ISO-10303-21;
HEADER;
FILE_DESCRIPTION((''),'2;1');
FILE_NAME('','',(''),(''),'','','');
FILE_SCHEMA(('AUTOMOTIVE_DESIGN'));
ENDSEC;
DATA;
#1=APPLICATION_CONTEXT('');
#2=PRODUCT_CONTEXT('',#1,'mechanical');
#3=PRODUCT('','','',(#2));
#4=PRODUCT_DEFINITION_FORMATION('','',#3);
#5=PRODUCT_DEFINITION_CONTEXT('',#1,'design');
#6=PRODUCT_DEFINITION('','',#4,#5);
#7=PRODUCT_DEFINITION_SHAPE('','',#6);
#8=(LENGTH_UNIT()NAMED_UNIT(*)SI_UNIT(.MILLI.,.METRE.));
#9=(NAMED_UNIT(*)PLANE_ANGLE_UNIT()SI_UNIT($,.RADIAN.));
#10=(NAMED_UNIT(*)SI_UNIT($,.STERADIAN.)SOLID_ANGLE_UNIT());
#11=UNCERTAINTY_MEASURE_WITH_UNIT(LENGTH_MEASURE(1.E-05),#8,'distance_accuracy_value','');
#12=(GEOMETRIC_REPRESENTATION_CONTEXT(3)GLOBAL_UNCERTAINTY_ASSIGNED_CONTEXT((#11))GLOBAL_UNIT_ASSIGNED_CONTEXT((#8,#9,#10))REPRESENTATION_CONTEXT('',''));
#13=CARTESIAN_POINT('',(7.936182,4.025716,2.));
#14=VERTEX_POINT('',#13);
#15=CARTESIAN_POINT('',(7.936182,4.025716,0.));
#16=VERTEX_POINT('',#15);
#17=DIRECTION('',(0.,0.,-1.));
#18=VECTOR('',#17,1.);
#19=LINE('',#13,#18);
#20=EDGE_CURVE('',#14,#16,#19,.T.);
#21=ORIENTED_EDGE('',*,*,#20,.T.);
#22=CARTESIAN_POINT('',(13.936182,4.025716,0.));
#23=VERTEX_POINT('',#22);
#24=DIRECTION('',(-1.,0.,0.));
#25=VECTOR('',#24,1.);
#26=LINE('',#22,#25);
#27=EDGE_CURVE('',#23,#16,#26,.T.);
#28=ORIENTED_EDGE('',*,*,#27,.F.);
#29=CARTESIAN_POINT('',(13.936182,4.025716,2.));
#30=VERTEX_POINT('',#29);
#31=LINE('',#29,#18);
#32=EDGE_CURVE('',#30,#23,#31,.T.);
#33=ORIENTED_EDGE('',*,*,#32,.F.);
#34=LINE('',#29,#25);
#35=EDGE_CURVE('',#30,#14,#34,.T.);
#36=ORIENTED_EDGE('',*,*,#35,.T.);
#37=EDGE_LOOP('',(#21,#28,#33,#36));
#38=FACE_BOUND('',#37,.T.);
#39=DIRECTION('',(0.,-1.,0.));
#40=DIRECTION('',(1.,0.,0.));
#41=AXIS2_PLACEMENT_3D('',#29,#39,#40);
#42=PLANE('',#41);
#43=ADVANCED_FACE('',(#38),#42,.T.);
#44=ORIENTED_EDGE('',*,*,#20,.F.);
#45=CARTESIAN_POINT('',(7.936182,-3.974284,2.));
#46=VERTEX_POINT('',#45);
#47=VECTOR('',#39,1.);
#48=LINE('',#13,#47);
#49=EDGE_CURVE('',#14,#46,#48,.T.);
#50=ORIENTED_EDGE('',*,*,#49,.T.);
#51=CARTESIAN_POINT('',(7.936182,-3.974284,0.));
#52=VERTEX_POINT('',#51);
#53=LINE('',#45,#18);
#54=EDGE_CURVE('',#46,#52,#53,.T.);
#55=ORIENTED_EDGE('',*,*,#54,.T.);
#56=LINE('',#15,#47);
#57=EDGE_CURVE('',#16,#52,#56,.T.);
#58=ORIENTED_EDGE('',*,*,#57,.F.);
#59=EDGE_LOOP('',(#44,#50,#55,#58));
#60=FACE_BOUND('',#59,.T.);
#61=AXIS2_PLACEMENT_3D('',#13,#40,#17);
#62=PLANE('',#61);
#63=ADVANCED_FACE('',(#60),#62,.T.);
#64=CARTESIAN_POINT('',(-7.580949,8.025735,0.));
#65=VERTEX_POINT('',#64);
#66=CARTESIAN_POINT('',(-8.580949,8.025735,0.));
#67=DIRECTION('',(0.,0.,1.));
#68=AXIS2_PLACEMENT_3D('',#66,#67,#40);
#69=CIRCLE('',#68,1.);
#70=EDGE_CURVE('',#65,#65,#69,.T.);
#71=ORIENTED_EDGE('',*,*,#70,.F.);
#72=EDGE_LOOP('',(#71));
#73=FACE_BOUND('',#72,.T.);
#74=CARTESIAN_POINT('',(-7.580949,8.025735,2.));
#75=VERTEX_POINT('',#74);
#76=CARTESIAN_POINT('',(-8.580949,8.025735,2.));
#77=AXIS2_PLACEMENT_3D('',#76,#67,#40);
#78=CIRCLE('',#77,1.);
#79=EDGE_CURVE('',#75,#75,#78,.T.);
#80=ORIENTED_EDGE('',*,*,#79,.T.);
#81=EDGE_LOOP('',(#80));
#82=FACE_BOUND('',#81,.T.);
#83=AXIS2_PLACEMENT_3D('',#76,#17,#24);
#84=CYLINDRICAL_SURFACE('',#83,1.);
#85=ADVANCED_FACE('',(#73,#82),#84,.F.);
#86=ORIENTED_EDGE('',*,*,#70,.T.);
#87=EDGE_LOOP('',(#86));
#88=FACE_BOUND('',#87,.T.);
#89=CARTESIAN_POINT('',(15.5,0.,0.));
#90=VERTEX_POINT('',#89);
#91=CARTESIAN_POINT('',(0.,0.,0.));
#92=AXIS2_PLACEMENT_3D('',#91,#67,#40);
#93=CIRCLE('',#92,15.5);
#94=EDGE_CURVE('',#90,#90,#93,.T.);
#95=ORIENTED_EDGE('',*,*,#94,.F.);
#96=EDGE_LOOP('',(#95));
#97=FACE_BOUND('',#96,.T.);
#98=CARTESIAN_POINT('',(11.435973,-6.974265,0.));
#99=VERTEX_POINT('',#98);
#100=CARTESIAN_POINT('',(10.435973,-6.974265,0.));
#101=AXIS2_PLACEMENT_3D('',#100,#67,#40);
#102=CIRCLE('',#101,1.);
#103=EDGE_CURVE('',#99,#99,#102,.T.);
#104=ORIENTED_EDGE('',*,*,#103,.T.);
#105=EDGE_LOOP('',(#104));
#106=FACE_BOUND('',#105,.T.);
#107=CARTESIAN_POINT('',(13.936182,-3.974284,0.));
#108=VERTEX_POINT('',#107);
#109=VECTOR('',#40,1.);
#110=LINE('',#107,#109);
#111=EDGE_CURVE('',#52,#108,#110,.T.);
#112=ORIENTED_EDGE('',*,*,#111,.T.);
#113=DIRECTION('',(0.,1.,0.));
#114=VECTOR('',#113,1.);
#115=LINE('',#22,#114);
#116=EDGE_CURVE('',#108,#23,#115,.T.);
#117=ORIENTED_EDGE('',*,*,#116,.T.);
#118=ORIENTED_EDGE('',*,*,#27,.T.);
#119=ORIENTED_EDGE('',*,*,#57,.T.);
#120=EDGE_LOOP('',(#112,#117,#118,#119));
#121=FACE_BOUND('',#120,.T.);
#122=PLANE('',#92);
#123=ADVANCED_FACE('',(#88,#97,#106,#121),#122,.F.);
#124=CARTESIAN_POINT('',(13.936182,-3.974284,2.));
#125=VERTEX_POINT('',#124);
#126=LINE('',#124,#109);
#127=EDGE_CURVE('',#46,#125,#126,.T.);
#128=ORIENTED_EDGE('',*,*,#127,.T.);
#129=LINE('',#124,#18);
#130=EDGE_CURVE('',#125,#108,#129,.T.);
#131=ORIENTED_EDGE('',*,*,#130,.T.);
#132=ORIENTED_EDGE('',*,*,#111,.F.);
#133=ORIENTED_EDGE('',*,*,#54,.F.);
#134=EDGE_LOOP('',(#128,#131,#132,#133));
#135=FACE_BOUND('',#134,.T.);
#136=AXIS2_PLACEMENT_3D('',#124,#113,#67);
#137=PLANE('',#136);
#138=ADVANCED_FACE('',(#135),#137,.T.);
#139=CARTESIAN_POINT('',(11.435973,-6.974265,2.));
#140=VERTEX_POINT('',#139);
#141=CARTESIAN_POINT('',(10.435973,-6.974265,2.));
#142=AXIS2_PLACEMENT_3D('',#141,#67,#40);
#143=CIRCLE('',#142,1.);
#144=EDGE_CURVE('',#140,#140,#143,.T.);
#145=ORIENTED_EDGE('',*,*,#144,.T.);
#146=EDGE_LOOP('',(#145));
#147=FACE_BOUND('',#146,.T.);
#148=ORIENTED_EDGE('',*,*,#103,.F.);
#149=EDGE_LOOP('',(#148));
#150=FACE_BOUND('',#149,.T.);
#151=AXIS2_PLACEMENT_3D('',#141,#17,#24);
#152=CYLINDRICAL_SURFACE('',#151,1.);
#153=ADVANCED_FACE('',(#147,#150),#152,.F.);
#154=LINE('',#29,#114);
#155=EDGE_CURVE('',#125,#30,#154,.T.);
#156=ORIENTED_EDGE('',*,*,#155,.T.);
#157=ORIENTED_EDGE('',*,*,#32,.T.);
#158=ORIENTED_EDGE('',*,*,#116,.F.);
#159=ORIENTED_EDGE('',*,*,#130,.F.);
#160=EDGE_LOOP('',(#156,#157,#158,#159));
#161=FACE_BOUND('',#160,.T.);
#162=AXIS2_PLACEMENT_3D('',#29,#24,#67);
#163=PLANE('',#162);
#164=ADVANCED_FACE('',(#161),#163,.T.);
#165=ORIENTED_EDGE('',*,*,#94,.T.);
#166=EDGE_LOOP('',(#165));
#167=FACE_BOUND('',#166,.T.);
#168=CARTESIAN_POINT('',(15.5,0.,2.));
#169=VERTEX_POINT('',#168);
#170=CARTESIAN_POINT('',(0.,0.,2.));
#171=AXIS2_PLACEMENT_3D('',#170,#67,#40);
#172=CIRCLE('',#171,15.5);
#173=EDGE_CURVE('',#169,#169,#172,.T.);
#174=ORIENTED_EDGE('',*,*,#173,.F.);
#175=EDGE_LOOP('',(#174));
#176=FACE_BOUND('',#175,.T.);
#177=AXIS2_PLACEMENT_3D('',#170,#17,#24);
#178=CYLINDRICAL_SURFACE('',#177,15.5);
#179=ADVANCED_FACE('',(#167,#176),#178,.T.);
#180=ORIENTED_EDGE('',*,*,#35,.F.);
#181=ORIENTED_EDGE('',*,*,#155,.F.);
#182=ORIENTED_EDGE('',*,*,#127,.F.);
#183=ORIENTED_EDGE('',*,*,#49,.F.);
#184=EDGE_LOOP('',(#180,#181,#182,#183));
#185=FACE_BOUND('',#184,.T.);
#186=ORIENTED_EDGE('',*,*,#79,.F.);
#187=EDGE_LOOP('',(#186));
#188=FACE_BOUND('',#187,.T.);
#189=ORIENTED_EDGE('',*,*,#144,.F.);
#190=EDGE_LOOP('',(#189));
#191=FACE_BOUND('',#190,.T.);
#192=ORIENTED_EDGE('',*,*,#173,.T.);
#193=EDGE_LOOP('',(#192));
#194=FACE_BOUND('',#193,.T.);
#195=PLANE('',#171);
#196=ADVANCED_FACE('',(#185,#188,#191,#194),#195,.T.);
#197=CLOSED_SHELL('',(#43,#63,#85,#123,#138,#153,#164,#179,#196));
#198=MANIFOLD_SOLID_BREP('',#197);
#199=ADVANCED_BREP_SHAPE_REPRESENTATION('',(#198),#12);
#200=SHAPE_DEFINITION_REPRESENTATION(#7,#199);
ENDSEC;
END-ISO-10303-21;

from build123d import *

# Parameters (mm, degrees)
SKETCH1_R           = 15.5
SKETCH1_R_2         = 1
SKETCH1_W           = 8
SKETCH1_H           = 6
BOSS_EXTRUDE1_DEPTH = 2


with BuildPart() as part:
    # Sketch1 → Boss-Extrude1 (new body)
    with BuildSketch(Plane(origin=(0, 0, 0), x_dir=(0, -1, 0), z_dir=(0, 0, 1))):
        Circle(SKETCH1_R)
        with Locations((6.97426488, 10.435972737)):
            Circle(SKETCH1_R_2, mode=Mode.SUBTRACT)
        with Locations((-8.02573512, -8.580948715)):
            Circle(SKETCH1_R_2, mode=Mode.SUBTRACT)
        with Locations((-0.025715642, 10.93618237)):
            Rectangle(SKETCH1_W, SKETCH1_H, mode=Mode.SUBTRACT)
    extrude(amount=BOSS_EXTRUDE1_DEPTH)


solid = part.part
